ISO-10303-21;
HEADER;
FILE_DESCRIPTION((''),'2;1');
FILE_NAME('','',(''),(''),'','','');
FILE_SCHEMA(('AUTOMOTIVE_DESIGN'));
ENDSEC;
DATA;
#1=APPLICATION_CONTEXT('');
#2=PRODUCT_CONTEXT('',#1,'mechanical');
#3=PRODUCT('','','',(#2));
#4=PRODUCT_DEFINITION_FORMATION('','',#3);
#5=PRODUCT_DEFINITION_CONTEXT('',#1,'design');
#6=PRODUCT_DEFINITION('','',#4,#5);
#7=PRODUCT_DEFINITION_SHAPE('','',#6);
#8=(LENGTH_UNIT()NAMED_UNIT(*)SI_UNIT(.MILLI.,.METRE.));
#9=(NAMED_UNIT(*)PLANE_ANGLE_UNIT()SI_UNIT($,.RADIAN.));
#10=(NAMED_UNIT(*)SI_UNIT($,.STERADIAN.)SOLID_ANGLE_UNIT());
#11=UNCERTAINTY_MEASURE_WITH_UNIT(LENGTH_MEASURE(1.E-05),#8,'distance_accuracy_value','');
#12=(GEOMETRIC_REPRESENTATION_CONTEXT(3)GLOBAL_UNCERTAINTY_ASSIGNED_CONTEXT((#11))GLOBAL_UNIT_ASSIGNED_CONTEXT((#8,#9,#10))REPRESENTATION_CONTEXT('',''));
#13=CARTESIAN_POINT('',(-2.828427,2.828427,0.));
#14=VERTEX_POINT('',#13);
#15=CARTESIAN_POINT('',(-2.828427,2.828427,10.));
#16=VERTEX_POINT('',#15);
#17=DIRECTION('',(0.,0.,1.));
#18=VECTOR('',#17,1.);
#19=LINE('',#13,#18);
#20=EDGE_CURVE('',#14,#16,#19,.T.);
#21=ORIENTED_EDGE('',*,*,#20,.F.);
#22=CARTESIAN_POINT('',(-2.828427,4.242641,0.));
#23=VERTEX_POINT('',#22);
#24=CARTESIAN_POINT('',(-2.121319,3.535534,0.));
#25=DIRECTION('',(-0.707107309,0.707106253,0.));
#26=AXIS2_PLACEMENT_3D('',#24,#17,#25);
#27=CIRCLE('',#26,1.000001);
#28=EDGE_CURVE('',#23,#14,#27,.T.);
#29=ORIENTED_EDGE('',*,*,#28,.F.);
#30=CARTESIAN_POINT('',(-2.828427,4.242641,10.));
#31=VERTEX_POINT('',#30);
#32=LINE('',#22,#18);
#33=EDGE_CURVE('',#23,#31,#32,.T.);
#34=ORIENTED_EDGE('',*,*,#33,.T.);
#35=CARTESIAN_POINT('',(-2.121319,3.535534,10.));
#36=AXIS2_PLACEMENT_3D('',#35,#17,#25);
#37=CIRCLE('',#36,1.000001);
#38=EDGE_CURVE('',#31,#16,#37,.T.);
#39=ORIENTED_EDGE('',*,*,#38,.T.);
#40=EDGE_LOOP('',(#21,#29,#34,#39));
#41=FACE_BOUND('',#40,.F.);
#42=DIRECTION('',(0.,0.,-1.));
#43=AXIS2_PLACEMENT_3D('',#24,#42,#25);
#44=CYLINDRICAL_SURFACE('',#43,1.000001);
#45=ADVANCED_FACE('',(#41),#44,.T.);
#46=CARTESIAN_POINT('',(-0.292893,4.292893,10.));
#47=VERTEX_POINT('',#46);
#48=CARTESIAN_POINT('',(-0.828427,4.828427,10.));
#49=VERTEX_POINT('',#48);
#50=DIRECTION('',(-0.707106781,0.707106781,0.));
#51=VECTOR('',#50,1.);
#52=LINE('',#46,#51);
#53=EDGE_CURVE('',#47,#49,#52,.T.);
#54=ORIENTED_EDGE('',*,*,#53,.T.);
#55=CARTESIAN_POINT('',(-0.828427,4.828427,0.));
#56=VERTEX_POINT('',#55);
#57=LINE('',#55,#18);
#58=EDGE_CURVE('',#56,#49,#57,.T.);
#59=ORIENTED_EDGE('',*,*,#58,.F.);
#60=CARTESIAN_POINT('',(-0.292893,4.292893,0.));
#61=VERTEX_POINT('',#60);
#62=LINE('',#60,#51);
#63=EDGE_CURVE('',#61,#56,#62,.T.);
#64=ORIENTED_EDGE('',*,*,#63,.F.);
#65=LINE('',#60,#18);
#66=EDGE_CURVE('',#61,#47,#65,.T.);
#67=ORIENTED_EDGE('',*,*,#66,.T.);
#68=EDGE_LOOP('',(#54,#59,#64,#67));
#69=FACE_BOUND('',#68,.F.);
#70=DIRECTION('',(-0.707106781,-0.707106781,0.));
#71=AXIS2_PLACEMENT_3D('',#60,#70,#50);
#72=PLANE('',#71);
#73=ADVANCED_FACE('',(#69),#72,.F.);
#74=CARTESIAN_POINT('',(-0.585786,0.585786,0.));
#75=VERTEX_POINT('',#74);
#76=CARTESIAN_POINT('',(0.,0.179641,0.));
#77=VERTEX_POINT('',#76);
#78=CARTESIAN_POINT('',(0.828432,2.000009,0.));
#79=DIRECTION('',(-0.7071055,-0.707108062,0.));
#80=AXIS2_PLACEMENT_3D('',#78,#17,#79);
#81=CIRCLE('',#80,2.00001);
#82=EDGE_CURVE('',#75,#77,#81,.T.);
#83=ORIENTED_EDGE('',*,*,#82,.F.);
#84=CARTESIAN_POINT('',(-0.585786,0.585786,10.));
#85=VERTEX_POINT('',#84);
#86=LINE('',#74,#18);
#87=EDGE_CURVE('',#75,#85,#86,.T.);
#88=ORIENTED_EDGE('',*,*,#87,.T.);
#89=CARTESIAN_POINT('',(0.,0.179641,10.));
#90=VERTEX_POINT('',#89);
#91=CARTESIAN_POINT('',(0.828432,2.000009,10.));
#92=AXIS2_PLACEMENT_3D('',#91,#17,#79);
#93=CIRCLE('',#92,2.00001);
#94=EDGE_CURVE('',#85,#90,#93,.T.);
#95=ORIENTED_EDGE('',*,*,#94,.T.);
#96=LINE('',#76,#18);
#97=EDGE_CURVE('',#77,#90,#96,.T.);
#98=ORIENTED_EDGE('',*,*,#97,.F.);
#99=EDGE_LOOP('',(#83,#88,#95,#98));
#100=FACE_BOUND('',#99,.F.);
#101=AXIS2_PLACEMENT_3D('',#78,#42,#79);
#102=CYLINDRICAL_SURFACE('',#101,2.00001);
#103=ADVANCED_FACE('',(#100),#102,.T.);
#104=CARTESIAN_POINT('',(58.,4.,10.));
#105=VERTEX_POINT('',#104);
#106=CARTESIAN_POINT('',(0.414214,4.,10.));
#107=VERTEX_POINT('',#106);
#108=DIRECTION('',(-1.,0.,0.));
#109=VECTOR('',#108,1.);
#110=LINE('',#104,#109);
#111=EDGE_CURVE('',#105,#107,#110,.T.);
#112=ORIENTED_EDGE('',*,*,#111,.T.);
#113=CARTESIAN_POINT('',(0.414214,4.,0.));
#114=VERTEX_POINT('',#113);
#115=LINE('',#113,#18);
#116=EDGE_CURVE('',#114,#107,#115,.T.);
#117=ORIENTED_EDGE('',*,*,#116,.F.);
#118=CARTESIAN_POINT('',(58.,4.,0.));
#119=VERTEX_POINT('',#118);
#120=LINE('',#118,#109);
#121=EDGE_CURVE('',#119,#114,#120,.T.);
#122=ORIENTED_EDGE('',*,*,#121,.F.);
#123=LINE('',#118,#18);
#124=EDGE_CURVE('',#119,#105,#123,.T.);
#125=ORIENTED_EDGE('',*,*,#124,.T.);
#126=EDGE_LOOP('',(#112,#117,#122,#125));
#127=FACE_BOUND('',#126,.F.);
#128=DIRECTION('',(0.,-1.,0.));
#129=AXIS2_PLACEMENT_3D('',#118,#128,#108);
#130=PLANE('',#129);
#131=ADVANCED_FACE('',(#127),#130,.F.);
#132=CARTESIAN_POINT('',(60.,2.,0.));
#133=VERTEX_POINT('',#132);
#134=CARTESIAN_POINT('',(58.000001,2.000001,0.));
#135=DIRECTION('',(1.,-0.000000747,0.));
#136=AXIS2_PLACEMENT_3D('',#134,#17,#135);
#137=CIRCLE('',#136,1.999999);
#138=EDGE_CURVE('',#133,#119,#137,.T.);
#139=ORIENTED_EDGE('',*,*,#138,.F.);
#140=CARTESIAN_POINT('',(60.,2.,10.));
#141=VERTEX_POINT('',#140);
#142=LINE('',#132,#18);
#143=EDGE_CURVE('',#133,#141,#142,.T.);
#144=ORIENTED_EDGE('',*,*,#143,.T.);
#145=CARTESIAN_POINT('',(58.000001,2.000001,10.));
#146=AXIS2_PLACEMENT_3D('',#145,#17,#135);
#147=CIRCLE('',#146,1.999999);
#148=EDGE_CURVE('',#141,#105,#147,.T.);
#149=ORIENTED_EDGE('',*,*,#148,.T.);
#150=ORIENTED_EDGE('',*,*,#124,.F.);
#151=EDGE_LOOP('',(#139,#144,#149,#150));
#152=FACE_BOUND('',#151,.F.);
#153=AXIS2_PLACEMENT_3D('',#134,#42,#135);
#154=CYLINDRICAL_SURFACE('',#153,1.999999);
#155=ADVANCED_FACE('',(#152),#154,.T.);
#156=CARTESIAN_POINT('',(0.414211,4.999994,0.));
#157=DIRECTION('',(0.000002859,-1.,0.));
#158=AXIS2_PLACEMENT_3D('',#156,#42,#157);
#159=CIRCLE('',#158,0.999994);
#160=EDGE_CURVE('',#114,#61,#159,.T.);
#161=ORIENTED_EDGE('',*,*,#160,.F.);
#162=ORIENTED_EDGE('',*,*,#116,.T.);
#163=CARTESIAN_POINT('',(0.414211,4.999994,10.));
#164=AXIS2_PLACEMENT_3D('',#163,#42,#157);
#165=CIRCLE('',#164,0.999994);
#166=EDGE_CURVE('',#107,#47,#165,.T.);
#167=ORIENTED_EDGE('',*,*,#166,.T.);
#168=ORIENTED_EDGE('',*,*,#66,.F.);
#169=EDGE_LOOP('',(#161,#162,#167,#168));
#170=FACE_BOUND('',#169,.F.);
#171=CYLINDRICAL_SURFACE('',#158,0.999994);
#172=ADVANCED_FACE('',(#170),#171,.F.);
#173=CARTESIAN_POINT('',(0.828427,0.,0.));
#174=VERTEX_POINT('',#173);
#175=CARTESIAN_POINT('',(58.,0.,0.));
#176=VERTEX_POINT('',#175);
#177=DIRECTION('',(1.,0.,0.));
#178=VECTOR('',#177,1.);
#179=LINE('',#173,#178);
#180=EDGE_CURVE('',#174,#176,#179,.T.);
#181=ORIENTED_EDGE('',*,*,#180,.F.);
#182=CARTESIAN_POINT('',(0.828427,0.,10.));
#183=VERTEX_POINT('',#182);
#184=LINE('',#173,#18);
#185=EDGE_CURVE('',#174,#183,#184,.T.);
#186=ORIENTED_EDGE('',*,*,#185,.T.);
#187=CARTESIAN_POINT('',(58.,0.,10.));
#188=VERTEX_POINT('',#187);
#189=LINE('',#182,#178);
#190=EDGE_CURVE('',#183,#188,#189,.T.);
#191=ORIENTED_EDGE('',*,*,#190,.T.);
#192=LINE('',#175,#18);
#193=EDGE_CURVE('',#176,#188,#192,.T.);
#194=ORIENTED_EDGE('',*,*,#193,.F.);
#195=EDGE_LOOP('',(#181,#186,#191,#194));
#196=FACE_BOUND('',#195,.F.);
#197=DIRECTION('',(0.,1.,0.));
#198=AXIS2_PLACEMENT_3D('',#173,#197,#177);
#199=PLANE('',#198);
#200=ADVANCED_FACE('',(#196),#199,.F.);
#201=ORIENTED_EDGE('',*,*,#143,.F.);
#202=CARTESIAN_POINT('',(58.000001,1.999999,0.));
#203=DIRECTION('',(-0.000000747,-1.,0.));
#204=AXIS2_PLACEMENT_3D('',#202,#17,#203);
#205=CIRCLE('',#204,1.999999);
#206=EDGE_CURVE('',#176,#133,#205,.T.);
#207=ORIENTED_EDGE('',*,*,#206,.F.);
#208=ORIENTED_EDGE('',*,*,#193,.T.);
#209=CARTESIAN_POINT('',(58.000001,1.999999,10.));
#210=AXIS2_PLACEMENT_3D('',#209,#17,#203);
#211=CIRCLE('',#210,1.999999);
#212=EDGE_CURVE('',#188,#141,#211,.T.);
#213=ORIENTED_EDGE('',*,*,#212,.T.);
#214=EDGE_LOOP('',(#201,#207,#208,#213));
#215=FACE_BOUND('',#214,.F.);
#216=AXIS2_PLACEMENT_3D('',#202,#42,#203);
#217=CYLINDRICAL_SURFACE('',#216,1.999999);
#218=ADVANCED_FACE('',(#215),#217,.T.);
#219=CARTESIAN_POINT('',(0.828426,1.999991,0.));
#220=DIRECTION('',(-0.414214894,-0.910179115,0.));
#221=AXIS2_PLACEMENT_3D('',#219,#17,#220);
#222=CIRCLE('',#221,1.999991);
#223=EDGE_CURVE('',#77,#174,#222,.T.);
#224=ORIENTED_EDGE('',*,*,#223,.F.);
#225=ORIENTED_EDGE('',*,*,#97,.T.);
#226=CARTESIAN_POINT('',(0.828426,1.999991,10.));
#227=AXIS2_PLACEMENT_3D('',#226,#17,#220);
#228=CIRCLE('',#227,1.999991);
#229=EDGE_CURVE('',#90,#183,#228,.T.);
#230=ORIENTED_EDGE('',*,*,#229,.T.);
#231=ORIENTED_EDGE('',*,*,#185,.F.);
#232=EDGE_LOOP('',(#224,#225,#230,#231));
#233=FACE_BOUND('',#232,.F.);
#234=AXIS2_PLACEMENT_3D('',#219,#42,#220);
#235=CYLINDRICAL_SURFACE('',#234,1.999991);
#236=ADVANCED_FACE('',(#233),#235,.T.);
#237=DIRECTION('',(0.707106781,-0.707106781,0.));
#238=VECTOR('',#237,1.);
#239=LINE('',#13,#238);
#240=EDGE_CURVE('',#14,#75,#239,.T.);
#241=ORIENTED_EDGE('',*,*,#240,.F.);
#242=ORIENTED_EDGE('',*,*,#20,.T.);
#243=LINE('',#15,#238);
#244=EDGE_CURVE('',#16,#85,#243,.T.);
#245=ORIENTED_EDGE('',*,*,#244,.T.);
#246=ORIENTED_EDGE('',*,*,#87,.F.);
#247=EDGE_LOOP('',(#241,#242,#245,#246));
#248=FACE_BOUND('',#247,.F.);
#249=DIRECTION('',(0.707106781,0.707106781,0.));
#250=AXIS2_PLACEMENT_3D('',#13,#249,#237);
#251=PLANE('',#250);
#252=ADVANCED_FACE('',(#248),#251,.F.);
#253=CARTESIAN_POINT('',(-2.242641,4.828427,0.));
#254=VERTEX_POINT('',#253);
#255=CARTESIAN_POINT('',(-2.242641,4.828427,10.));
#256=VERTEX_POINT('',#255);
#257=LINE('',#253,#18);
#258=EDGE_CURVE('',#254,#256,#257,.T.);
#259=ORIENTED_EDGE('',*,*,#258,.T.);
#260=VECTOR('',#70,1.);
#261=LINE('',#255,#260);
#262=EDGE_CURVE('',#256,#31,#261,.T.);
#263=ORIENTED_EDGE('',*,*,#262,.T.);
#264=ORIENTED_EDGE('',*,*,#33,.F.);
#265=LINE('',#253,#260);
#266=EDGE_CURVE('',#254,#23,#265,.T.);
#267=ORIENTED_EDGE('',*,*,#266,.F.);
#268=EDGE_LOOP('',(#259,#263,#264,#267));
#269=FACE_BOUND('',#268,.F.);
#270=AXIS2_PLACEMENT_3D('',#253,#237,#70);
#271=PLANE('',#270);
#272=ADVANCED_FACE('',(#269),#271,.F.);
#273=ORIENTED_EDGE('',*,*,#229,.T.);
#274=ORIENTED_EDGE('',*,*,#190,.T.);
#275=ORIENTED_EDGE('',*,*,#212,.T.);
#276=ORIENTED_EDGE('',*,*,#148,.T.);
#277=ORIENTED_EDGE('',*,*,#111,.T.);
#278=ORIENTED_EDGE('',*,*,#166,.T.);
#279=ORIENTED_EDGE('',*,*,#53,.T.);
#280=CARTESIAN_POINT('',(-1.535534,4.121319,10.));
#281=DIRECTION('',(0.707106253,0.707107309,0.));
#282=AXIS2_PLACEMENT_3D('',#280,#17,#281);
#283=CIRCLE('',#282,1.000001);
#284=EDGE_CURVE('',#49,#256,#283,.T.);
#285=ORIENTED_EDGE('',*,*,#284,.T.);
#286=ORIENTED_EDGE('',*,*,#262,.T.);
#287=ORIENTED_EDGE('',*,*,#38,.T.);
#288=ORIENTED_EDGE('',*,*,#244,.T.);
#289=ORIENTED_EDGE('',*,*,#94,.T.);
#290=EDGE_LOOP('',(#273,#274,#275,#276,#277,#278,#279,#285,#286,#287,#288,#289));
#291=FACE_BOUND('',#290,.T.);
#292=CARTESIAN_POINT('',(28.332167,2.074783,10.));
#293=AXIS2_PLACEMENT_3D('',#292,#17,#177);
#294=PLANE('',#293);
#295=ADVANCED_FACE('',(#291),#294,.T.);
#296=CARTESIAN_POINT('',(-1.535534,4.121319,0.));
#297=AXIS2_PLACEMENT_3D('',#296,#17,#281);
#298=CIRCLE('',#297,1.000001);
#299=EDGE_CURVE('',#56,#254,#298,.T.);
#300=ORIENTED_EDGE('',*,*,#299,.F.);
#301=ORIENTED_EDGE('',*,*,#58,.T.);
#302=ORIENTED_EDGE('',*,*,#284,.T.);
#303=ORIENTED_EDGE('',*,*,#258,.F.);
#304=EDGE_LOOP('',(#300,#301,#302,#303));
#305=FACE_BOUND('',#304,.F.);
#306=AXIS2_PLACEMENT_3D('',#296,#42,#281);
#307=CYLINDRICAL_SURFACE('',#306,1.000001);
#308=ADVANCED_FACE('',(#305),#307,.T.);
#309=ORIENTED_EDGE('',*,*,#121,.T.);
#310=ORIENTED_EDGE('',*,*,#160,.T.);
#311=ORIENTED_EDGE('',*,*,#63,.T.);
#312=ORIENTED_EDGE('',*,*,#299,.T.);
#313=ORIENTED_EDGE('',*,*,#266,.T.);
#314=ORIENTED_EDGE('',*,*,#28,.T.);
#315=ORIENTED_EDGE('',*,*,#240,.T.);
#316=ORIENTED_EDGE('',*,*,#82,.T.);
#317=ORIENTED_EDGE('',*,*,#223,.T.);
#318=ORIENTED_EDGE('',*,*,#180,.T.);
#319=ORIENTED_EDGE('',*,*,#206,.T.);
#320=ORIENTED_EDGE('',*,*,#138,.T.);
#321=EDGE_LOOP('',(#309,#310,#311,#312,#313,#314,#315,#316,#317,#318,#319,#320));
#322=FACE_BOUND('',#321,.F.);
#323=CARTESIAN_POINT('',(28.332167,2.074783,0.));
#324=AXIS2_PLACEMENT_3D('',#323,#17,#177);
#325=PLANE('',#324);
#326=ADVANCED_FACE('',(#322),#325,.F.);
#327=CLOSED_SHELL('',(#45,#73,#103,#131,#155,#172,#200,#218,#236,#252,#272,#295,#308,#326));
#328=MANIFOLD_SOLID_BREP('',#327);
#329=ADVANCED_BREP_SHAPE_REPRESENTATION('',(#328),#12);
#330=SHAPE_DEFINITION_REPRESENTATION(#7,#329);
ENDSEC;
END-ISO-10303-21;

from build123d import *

# Parameters (mm, degrees)
F1_DEPTH = 10


with BuildPart() as f1:
    # F0 (on Top) → F1 (new body)
    with BuildSketch(Plane.XY):
        with BuildLine():
            ThreePointArc((0, 0.179641), (0.404587, 0.045426), (0.828427, 0))
            Line((0.828427, 0), (58, 0))
            ThreePointArc((58, 0), (59.414214, 0.585786), (60, 2))
            ThreePointArc((60, 2), (59.414214, 3.414214), (58, 4))
            Line((58, 4), (0.414214, 4))
            ThreePointArc((0.414214, 4), (0.03153, 4.07612), (-0.292893, 4.292893))
            Line((-0.292893, 4.292893), (-0.828427, 4.828427))
            ThreePointArc((-0.828427, 4.828427), (-1.535534, 5.12132), (-2.242641, 4.828427))
            Line((-2.242641, 4.828427), (-2.828427, 4.242641))
            ThreePointArc((-2.828427, 4.242641), (-3.12132, 3.535534), (-2.828427, 2.828427))
            Line((-2.828427, 2.828427), (-0.585786, 0.585786))
            ThreePointArc((-0.585786, 0.585786), (-0.311133, 0.356406), (0, 0.179641))
        make_face()
    extrude(amount=F1_DEPTH)


solid = f1.part
